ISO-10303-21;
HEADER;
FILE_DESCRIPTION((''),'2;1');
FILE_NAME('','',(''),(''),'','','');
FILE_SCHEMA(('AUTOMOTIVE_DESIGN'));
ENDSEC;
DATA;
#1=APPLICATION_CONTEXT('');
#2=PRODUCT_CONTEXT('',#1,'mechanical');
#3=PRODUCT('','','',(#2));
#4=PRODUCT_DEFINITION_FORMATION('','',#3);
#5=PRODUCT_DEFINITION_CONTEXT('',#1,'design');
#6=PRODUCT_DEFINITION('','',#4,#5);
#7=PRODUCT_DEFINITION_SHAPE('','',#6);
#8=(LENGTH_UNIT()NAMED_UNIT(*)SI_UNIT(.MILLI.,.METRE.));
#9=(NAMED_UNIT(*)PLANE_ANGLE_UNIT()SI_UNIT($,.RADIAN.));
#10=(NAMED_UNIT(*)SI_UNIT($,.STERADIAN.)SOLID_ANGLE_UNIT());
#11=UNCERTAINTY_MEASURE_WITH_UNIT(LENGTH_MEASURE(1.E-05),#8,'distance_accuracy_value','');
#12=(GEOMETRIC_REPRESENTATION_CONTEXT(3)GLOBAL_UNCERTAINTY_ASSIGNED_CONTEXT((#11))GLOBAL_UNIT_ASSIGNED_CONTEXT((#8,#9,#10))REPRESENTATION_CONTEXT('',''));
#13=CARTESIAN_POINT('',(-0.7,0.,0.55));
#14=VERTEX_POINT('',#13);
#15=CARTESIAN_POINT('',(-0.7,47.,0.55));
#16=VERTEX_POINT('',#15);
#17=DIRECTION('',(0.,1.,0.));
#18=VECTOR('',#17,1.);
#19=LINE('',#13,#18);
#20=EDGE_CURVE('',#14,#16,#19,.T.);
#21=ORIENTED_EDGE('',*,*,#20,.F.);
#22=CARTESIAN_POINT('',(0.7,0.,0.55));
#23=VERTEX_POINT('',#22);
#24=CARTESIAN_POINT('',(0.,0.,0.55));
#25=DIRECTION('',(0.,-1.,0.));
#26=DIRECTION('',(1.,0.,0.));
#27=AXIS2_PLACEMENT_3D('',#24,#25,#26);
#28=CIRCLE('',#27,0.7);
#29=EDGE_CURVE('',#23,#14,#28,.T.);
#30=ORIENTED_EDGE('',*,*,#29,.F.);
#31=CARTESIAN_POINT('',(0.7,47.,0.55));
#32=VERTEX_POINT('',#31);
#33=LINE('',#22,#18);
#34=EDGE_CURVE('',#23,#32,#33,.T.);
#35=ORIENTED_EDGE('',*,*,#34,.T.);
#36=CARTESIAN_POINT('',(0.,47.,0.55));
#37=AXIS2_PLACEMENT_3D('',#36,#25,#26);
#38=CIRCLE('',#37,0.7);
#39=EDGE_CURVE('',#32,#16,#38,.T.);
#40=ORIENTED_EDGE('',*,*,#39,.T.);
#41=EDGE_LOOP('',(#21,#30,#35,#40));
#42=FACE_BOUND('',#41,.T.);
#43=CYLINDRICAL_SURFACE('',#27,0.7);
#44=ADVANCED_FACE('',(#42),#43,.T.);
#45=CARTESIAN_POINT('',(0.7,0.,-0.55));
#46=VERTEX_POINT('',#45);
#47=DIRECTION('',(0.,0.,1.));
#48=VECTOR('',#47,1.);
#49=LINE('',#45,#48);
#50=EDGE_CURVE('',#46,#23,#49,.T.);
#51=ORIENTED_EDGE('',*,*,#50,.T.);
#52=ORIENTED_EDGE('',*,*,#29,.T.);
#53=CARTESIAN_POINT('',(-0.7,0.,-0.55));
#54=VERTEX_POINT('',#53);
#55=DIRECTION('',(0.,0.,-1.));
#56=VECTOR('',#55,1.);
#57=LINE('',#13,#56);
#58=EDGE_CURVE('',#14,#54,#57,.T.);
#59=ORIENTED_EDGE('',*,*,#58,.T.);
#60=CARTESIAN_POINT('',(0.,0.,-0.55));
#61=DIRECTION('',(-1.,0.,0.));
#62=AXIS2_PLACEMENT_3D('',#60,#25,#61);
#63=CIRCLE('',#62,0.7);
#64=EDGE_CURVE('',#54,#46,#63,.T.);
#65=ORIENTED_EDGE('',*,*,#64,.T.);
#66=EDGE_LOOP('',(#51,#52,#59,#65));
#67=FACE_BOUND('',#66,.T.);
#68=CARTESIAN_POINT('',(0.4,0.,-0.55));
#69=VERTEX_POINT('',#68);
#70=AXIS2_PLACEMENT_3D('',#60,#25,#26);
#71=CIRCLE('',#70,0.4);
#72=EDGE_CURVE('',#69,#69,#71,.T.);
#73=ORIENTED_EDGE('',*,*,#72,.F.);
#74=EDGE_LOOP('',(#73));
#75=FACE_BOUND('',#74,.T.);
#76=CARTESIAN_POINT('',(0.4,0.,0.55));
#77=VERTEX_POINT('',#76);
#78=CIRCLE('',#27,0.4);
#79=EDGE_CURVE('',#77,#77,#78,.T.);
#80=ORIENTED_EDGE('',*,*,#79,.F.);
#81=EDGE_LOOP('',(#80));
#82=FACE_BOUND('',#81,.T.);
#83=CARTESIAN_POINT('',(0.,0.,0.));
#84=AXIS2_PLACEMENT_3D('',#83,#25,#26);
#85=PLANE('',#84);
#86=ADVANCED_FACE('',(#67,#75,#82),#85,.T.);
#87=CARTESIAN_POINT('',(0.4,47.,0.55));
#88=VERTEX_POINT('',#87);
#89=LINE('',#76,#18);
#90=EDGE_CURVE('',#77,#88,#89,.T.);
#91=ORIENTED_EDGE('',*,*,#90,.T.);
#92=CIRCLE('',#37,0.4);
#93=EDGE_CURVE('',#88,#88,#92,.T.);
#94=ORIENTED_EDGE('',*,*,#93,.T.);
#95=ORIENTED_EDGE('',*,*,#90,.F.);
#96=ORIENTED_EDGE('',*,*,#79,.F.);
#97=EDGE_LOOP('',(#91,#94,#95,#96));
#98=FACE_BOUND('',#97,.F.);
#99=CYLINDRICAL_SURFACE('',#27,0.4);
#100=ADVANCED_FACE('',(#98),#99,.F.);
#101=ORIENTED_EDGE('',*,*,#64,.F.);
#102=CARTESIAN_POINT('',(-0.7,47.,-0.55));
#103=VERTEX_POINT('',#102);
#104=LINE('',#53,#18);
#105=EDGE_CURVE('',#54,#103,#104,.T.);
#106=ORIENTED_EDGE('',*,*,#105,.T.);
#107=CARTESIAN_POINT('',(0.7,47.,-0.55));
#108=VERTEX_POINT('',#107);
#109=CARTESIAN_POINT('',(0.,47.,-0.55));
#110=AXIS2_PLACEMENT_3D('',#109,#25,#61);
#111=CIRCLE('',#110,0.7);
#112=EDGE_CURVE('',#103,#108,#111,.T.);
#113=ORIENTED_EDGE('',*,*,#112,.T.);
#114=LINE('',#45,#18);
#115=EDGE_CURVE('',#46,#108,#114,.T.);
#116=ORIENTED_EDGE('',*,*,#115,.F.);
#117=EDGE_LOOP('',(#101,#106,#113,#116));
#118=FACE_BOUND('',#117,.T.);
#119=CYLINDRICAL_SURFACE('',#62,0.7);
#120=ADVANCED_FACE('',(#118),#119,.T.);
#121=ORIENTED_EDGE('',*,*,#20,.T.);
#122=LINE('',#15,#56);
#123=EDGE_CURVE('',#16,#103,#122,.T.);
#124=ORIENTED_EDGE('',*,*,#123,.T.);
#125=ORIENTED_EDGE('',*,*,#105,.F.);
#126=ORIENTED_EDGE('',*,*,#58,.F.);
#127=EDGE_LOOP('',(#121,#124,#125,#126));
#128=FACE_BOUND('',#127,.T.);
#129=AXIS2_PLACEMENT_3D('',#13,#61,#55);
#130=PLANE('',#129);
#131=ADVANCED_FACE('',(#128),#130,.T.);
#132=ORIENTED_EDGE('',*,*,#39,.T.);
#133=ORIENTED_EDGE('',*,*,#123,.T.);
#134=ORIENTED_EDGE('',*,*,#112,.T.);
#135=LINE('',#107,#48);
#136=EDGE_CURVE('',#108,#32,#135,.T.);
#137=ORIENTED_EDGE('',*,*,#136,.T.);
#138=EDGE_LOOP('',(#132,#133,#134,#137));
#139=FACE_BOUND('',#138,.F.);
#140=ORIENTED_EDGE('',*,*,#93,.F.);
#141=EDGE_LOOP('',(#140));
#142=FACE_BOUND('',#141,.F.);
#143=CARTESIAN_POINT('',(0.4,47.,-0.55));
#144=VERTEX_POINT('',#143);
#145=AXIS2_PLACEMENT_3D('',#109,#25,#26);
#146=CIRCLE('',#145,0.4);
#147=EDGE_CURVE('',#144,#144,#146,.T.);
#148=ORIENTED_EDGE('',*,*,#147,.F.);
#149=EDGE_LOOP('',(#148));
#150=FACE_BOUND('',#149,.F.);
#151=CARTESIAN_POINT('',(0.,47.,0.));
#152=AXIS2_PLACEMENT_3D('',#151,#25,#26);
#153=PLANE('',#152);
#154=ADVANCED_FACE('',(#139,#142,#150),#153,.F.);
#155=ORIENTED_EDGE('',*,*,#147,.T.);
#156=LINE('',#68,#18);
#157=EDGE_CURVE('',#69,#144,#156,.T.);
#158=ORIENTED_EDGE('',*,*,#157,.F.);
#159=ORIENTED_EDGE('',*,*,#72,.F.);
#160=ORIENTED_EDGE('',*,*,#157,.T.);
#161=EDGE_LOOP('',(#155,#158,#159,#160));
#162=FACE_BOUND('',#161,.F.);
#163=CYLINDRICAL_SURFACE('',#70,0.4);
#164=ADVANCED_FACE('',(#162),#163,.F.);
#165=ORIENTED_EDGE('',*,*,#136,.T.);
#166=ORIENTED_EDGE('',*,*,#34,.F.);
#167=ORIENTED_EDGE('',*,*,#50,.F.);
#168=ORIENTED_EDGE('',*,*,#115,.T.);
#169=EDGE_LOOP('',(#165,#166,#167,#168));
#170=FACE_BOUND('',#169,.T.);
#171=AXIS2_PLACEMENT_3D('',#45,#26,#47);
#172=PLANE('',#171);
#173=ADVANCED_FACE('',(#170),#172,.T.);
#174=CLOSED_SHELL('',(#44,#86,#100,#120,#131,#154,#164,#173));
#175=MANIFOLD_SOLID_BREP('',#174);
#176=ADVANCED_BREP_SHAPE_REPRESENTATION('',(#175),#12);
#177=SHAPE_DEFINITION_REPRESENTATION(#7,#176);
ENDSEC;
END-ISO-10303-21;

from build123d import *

# Parameters (mm, degrees)
F0_R     = 0.4
F1_DEPTH = 47


with BuildPart() as f1:
    # F0 (on Front) → F1 (new body)
    with BuildSketch(Plane.XZ):
        with BuildLine():
            Line((-0.7, 0.55), (-0.7, -0.55))
            ThreePointArc((-0.7, -0.55), (0, -1.25), (0.7, -0.55))
            Line((0.7, -0.55), (0.7, 0.55))
            ThreePointArc((0.7, 0.55), (0, 1.25), (-0.7, 0.55))
        make_face()
        with Locations((0, -0.55)):
            Circle(F0_R, mode=Mode.SUBTRACT)
        with Locations((0, 0.55)):
            Circle(F0_R, mode=Mode.SUBTRACT)
    extrude(amount=-F1_DEPTH)


solid = f1.part
